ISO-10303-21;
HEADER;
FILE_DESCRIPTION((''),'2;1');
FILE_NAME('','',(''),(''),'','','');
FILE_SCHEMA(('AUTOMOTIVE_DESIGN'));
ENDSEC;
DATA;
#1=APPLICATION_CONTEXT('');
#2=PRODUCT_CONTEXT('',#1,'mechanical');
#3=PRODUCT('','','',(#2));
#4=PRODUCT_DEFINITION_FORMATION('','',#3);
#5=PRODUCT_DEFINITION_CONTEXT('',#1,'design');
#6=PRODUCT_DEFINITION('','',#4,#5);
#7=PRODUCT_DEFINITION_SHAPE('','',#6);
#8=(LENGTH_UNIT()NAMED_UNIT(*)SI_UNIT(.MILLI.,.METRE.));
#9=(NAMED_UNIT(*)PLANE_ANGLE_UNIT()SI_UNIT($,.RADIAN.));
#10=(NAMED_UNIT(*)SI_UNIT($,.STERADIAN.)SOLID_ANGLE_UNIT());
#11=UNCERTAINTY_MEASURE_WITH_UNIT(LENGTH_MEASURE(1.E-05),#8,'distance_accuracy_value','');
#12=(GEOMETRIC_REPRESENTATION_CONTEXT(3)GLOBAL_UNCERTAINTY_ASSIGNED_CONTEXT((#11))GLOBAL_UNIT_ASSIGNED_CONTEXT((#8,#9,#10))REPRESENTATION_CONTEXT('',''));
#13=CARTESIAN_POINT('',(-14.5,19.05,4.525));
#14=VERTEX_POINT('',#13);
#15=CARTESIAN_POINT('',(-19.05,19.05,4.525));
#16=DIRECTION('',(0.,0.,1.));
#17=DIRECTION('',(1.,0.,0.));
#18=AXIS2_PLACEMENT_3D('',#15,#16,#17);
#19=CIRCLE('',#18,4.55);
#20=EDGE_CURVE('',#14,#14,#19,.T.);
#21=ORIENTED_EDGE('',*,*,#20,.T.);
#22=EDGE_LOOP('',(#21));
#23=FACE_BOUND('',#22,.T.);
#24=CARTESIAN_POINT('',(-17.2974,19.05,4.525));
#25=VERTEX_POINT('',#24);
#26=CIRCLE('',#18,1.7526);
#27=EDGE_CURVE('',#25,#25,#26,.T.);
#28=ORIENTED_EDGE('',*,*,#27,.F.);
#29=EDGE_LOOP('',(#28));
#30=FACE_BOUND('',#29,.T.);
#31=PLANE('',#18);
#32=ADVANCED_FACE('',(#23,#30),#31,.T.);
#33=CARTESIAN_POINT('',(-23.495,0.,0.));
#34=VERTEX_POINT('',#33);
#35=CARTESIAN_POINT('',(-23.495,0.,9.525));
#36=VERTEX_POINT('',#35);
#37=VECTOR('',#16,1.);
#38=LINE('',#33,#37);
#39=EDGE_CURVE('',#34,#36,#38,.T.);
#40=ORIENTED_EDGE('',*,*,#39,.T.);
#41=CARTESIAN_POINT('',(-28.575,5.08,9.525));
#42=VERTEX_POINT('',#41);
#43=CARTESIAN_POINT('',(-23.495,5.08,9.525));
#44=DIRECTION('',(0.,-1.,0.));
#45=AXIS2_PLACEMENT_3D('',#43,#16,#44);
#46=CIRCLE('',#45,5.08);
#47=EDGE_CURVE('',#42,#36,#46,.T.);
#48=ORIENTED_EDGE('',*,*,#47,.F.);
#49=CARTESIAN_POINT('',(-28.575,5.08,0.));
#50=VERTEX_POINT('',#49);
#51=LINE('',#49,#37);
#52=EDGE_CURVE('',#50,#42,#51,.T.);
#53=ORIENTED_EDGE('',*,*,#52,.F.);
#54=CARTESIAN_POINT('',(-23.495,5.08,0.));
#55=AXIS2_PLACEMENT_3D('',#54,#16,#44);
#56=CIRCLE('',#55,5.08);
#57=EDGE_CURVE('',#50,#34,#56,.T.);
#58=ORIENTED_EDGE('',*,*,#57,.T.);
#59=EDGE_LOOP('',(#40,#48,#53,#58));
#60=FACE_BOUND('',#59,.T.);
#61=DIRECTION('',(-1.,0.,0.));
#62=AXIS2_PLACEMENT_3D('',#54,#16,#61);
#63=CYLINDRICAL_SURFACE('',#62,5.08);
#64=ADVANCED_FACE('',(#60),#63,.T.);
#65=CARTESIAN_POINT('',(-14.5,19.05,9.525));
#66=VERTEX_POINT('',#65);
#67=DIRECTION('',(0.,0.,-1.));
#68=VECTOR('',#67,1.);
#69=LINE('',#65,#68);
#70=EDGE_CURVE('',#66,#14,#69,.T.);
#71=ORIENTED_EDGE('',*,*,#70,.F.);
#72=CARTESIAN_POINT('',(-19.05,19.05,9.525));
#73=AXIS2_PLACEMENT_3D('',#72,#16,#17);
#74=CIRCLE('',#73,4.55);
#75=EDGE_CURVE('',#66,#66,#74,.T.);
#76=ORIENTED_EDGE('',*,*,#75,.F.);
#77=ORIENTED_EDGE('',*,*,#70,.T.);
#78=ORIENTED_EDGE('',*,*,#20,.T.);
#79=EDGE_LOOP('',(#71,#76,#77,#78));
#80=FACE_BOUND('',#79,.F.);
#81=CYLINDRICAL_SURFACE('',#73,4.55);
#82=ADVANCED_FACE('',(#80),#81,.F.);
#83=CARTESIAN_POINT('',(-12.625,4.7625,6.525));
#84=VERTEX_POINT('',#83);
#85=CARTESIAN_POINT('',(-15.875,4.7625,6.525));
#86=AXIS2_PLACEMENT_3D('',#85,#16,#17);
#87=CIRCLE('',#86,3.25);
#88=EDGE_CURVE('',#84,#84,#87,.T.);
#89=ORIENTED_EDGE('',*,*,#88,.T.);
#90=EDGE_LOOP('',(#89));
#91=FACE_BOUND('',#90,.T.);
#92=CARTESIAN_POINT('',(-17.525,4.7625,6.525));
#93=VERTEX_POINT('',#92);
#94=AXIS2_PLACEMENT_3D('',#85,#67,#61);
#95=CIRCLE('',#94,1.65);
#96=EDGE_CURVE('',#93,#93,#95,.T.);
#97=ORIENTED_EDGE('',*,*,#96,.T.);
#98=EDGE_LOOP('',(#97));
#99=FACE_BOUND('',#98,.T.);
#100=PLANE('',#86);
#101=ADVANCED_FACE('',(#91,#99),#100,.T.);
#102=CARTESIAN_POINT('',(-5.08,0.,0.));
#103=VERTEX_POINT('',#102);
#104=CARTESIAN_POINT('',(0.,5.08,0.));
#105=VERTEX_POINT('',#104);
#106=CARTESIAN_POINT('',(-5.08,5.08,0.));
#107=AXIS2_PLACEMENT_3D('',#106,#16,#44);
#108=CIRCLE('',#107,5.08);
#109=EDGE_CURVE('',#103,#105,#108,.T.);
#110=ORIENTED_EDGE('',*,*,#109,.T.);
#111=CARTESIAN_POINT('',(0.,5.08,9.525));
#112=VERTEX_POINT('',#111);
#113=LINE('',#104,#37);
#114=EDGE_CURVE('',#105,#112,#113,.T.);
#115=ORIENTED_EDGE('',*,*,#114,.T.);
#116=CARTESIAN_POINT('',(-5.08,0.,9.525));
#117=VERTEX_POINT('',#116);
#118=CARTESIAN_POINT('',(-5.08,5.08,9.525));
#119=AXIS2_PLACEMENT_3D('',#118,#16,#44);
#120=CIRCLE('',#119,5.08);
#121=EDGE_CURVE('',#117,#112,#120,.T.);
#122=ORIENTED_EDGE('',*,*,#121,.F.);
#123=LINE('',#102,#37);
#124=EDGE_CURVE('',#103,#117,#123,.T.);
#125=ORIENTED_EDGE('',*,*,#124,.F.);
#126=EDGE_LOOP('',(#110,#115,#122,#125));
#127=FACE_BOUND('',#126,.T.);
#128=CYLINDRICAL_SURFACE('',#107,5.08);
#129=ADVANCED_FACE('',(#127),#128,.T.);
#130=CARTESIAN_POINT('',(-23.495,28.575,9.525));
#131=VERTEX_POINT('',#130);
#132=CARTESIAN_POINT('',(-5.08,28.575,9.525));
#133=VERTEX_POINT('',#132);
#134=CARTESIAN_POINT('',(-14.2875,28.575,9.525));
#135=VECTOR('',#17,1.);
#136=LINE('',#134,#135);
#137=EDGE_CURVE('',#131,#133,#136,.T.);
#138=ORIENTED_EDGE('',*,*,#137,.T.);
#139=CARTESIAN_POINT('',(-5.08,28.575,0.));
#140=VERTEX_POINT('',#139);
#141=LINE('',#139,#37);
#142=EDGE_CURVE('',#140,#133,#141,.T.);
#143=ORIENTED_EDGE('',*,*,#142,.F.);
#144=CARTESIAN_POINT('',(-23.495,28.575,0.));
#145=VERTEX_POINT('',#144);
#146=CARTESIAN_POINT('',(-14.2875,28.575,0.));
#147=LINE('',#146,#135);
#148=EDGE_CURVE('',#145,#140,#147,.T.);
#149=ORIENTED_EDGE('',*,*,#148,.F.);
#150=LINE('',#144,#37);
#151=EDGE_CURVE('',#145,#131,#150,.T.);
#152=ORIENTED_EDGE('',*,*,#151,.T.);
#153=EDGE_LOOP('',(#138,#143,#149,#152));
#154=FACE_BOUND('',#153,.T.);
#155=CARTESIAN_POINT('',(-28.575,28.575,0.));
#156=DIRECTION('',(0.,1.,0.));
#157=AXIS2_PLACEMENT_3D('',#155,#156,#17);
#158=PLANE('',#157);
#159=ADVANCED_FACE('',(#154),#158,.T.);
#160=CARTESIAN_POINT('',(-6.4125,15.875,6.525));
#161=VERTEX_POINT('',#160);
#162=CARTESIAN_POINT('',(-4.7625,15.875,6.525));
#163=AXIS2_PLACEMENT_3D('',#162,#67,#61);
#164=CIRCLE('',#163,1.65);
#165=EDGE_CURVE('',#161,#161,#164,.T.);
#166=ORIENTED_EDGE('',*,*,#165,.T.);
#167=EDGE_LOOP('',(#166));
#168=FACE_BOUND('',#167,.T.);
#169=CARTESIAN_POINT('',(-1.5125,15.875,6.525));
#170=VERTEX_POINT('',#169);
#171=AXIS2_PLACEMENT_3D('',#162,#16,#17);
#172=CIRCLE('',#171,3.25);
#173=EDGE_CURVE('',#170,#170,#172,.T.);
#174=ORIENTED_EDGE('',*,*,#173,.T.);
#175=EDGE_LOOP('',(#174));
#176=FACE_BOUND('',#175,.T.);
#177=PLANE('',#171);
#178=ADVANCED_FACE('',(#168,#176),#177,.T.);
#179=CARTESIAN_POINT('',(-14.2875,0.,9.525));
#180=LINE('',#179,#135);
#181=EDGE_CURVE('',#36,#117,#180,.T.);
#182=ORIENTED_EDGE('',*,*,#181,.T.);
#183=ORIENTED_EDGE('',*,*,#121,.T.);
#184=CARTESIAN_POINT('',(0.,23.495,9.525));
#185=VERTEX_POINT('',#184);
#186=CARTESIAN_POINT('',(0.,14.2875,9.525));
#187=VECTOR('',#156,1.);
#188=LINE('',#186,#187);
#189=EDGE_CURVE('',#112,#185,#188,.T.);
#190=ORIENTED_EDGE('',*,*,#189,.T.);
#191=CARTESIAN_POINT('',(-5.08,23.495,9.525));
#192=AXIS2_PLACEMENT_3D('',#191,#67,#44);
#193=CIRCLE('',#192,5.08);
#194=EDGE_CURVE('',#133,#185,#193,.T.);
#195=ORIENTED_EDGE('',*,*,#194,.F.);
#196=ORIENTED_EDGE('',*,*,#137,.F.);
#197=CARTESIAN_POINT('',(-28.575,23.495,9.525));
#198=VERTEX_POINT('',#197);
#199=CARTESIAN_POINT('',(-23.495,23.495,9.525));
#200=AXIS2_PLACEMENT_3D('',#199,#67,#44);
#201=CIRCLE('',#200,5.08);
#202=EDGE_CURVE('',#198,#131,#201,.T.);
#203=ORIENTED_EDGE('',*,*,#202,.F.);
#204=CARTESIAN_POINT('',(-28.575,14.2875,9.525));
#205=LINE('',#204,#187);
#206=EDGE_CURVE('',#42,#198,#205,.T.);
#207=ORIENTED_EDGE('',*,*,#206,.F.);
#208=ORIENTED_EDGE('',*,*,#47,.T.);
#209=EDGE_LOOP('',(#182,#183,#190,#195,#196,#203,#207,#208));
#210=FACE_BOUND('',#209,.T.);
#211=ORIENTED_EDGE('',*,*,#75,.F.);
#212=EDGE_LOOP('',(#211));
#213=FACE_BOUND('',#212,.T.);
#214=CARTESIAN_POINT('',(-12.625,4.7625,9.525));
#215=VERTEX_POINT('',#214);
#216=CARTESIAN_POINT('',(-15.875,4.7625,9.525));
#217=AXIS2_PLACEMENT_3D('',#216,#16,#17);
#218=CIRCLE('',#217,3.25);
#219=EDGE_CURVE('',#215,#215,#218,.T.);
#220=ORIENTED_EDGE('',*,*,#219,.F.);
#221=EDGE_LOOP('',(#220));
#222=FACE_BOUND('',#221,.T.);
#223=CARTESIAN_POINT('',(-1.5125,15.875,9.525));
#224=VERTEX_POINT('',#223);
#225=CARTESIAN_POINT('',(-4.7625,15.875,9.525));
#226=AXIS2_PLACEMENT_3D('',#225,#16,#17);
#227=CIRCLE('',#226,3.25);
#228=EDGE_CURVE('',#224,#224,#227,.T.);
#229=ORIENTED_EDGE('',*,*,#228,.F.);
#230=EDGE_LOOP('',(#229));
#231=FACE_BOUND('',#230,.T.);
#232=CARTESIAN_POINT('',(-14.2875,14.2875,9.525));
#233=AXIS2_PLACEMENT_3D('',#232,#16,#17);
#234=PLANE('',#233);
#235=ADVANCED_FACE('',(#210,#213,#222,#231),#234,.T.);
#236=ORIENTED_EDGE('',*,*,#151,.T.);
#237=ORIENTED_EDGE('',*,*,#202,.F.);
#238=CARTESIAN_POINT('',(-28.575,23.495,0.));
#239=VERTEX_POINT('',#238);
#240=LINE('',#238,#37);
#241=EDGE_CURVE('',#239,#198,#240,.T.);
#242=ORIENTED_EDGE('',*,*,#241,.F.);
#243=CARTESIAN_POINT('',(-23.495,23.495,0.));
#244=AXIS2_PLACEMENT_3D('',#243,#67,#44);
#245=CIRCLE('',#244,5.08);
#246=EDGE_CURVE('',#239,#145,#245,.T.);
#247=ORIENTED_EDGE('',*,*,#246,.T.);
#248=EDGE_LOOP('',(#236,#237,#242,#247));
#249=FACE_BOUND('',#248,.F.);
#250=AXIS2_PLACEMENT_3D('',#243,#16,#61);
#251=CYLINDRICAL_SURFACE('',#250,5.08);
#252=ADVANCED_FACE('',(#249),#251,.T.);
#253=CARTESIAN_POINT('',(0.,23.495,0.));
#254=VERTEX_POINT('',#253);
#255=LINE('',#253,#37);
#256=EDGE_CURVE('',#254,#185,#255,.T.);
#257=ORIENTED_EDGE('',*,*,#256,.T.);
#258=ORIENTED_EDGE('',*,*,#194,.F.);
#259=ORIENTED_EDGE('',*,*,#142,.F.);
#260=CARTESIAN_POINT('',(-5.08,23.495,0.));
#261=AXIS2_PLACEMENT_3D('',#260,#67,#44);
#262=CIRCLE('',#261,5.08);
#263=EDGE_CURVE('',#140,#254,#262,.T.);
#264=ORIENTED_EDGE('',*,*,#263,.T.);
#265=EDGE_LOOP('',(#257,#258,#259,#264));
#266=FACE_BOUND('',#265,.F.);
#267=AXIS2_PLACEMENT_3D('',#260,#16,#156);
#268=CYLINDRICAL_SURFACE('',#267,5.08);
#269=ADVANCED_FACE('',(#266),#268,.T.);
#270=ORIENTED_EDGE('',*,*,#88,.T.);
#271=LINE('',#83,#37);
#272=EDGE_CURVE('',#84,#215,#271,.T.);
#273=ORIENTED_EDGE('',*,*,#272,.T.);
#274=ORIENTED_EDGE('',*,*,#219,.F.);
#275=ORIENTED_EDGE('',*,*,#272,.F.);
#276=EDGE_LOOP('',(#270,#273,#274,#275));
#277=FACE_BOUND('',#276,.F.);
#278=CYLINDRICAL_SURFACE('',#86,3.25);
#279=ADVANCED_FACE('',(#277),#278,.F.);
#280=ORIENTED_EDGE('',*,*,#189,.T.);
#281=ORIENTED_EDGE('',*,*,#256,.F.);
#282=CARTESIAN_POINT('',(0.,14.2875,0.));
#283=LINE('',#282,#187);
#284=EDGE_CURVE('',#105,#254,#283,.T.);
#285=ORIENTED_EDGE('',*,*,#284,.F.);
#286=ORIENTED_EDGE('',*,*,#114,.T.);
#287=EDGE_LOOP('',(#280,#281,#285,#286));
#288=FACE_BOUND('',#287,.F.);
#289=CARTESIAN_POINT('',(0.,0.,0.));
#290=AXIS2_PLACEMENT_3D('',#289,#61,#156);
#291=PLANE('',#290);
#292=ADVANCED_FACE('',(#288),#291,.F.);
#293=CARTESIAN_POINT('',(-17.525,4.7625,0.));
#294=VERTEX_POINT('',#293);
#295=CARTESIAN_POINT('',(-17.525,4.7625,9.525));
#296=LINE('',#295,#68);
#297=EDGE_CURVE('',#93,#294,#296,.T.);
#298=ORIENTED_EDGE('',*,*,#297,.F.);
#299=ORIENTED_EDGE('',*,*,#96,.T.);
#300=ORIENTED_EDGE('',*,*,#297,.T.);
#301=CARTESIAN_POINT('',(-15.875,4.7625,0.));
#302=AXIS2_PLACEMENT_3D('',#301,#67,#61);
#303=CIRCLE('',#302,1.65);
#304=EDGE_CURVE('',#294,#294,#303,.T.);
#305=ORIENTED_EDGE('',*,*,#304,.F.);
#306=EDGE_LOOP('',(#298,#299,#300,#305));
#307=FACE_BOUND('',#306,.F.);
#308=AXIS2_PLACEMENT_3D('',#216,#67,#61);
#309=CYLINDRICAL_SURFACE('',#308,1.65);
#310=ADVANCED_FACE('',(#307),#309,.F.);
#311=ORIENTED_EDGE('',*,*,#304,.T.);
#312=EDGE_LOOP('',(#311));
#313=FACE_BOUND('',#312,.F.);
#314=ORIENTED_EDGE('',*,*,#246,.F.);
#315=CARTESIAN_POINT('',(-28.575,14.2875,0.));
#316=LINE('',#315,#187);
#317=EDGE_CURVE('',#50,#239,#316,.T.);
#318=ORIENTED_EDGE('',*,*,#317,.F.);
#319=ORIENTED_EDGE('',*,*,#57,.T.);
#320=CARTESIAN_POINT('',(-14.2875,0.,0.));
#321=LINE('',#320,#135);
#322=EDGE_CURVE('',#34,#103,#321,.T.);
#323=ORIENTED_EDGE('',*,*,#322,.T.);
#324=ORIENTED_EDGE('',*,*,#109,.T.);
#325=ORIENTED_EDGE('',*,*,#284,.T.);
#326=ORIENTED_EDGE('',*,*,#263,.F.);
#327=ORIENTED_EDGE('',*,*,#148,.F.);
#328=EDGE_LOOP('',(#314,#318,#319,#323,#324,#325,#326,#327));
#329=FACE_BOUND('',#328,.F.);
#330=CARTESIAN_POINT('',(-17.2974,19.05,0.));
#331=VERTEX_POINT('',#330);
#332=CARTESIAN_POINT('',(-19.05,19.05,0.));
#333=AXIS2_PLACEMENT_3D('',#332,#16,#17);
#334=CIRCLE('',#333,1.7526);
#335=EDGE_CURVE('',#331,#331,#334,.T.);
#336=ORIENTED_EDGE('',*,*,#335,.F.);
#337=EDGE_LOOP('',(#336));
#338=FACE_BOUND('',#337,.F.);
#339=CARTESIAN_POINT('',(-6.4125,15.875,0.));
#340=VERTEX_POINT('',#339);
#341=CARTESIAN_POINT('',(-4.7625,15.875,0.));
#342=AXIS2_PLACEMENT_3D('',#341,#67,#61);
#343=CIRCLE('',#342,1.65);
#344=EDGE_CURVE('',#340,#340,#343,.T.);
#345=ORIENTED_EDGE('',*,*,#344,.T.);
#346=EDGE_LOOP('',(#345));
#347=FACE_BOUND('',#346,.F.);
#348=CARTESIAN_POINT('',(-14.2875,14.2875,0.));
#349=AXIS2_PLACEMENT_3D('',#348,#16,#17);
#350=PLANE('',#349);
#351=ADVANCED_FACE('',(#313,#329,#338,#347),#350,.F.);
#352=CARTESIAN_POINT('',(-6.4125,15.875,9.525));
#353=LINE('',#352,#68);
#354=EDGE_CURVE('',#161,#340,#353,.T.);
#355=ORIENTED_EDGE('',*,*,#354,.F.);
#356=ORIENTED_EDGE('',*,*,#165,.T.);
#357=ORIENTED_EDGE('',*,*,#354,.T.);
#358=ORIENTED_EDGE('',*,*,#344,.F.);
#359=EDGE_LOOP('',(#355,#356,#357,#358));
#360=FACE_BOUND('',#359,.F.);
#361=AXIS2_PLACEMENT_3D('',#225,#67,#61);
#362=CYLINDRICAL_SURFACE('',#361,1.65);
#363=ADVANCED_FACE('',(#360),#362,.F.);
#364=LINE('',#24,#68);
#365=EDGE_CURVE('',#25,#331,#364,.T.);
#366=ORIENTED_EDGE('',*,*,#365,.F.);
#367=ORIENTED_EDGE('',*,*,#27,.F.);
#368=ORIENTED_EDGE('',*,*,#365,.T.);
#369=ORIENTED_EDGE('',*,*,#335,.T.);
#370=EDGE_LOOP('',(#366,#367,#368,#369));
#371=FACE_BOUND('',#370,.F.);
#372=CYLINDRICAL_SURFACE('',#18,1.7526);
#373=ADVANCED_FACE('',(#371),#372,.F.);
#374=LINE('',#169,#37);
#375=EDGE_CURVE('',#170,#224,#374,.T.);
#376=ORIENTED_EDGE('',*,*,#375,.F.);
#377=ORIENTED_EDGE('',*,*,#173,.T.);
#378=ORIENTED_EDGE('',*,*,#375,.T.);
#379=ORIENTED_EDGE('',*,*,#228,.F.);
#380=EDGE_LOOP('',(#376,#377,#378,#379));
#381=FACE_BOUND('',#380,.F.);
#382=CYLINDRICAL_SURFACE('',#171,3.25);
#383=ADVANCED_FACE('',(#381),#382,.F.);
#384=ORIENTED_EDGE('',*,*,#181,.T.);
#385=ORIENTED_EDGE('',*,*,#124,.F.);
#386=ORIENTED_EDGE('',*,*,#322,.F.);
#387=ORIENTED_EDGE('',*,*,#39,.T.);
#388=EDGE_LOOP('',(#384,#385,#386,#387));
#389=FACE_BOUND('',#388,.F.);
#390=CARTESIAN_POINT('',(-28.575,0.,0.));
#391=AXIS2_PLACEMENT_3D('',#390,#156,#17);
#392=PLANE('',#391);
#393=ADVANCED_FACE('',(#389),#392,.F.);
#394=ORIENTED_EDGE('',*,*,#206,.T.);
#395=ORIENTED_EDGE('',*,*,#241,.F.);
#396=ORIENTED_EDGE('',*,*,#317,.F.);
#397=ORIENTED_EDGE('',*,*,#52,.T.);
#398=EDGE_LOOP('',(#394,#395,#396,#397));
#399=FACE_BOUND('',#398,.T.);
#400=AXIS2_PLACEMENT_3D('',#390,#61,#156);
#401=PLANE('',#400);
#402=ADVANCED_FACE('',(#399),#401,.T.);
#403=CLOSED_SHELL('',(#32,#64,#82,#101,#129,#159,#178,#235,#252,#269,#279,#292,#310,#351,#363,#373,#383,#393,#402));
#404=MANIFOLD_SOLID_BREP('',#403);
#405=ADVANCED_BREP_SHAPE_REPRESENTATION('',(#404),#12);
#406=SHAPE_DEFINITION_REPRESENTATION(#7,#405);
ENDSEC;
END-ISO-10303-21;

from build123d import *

# Parameters (mm, degrees)
F0_W           = 28.575
F0_H           = 28.575
F1_DEPTH       = 9.525
F3_D           = 3.3
F3_CBORE_D     = 6.5
F3_CBORE_DEPTH = 3
F4_R           = 4.55
F5_DEPTH       = 5
F6_R           = 1.7526
F7_DEPTH       = 4.526
F8_R           = 5.08


with BuildPart() as f1:
    # F0 (on Top) → F1 (new body)
    with BuildSketch(Plane.XY):
        with Locations((-14.2875, 14.2875)):
            Rectangle(F0_W, F0_H)
    extrude(amount=F1_DEPTH)

    # F3 (through all)
    with Locations(Plane.XY.offset(9.525)):
        with Locations((-15.875, 4.7625), (-4.7625, 15.875)):
            CounterBoreHole(F3_D / 2, F3_CBORE_D / 2, F3_CBORE_DEPTH)

    # F4 (on face) → F5 (cut)
    with BuildSketch(Plane.XY.offset(9.525)):
        with Locations((-19.05, 19.05)):
            Circle(F4_R)
    extrude(amount=-F5_DEPTH, mode=Mode.SUBTRACT)

    # F6 (on face) → F7 (cut, through all)
    with BuildSketch(Plane.XY.offset(4.525)):
        with Locations((-19.05, 19.05)):
            Circle(F6_R)
    extrude(amount=-F7_DEPTH, mode=Mode.SUBTRACT)

    # F8
    f8_edges = [f1.edges().sort_by_distance(p)[0] for p in [
        (0, 0, 4.7625),
        (-28.575, 0, 4.7625),
        (-28.575, 28.575, 4.7625),
        (0, 28.575, 4.7625),
    ]]
    fillet(f8_edges, radius=F8_R)


solid = f1.part
